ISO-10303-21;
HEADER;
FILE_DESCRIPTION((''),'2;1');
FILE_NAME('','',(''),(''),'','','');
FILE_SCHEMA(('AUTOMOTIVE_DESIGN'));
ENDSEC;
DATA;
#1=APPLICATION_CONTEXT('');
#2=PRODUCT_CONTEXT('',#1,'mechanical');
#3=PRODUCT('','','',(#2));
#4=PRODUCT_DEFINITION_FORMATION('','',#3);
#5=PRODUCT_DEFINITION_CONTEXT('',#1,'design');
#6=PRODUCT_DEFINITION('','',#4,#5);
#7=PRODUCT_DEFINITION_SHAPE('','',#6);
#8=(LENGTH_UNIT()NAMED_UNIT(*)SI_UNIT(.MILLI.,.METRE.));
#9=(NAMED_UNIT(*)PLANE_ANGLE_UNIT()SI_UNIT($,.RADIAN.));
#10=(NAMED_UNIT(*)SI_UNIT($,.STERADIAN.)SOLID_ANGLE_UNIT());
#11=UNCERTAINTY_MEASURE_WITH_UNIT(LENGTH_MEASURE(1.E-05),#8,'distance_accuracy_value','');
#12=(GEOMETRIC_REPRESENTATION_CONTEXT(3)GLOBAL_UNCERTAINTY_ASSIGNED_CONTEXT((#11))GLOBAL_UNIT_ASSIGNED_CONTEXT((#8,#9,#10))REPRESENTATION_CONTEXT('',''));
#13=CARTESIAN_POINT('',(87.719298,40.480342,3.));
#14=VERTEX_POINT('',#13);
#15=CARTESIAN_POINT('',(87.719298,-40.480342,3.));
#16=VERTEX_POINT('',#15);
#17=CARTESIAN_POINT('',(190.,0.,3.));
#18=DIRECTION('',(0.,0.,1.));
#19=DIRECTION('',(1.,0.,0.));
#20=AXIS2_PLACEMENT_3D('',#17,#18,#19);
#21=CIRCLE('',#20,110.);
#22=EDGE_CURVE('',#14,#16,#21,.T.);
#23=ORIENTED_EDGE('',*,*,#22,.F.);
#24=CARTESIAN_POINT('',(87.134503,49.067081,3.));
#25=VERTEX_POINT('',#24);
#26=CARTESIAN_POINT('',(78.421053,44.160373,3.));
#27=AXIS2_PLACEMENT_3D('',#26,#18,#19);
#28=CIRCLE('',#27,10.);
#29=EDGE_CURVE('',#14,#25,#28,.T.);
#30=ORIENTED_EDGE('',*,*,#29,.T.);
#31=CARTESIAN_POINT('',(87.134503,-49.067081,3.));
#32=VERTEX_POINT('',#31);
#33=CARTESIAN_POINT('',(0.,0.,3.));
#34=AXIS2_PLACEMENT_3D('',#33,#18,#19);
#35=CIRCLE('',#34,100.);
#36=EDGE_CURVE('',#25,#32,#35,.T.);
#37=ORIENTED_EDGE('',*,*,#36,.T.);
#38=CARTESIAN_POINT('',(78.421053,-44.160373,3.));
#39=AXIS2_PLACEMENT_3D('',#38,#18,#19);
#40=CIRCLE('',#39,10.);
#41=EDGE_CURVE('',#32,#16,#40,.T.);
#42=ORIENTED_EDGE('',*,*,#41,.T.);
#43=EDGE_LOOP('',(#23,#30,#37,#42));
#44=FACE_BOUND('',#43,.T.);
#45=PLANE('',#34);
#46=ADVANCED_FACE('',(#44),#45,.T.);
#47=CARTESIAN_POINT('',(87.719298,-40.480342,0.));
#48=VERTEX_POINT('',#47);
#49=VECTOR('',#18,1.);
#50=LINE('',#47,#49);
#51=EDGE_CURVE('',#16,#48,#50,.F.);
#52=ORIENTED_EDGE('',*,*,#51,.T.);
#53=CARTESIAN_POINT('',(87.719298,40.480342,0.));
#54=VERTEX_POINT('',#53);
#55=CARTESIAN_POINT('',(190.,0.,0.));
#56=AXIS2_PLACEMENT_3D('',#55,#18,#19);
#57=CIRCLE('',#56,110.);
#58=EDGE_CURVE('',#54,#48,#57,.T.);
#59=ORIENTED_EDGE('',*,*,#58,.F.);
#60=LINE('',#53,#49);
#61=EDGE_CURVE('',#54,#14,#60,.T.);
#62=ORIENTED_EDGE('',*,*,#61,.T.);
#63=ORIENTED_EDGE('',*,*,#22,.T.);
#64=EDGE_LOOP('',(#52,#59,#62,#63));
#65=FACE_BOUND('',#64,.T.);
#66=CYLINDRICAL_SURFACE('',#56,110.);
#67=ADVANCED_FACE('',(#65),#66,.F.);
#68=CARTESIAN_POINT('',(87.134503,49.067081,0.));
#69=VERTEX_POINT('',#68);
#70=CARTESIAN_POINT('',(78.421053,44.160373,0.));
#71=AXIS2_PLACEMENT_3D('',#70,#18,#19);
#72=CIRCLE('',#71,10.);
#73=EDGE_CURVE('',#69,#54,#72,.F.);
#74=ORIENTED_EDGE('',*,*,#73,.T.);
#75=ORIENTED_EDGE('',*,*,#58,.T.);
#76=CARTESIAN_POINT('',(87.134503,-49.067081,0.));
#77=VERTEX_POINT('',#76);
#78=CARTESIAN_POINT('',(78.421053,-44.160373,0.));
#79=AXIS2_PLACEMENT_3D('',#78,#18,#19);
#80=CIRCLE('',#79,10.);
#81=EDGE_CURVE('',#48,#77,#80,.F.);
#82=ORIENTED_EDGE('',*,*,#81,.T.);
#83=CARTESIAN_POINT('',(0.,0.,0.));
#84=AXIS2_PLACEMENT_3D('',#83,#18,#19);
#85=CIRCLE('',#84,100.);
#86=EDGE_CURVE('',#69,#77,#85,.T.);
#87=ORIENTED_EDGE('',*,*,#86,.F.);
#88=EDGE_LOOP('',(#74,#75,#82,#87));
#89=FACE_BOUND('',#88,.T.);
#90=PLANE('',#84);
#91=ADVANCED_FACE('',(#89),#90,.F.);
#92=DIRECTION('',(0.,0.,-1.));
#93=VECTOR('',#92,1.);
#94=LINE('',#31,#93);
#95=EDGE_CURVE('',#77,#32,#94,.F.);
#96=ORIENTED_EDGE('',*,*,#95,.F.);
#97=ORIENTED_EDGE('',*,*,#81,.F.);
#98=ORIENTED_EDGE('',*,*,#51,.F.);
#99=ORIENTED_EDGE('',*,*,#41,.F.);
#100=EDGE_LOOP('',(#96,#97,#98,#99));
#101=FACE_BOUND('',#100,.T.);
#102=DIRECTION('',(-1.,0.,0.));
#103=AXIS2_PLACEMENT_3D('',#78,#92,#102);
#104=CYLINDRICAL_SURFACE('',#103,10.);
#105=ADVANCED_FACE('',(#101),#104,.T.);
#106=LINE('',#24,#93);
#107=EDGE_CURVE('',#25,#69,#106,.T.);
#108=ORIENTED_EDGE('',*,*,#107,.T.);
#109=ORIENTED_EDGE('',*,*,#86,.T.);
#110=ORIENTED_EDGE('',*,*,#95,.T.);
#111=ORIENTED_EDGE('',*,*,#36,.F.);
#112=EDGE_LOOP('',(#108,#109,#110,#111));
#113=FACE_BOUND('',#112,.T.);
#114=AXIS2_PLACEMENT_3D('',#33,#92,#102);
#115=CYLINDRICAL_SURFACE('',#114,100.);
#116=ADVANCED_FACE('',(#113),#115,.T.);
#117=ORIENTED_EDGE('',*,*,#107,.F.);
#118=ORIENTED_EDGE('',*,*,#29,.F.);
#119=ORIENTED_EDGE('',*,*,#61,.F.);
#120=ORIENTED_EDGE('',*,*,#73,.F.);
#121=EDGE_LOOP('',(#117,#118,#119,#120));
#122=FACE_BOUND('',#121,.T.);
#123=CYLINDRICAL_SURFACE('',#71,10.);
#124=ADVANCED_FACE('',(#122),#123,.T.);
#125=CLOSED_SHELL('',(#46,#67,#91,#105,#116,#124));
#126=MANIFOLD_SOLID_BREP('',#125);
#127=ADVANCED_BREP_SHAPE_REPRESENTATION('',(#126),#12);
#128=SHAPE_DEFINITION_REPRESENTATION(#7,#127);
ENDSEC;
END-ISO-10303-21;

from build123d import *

# Parameters (mm, degrees)
CROQUIS1_R              = 100
SALIENTE_EXTRUIR1_DEPTH = 3
CROQUIS3_R              = 110
CORTAR_EXTRUIR1_DEPTH   = 3
REDONDEO1_R             = 10


with BuildPart() as part:
    # Croquis1 → Saliente-Extruir1 (new body)
    with BuildSketch(Plane.XY):
        Circle(CROQUIS1_R)
    extrude(amount=SALIENTE_EXTRUIR1_DEPTH)

    # Croquis3 → Cortar-Extruir1 (cut)
    with BuildSketch(Plane.XY.offset(3)):
        with Locations((190, 0)):
            Circle(CROQUIS3_R)
    extrude(amount=-CORTAR_EXTRUIR1_DEPTH, mode=Mode.SUBTRACT)

    # Redondeo1
    redondeo1_edges = [part.edges().sort_by_distance(p)[0] for p in [
        (89.473684211, -44.659375654, 1.5),
        (89.473684211, 44.659375654, 1.5),
    ]]
    fillet(redondeo1_edges, radius=REDONDEO1_R)


solid = part.part
